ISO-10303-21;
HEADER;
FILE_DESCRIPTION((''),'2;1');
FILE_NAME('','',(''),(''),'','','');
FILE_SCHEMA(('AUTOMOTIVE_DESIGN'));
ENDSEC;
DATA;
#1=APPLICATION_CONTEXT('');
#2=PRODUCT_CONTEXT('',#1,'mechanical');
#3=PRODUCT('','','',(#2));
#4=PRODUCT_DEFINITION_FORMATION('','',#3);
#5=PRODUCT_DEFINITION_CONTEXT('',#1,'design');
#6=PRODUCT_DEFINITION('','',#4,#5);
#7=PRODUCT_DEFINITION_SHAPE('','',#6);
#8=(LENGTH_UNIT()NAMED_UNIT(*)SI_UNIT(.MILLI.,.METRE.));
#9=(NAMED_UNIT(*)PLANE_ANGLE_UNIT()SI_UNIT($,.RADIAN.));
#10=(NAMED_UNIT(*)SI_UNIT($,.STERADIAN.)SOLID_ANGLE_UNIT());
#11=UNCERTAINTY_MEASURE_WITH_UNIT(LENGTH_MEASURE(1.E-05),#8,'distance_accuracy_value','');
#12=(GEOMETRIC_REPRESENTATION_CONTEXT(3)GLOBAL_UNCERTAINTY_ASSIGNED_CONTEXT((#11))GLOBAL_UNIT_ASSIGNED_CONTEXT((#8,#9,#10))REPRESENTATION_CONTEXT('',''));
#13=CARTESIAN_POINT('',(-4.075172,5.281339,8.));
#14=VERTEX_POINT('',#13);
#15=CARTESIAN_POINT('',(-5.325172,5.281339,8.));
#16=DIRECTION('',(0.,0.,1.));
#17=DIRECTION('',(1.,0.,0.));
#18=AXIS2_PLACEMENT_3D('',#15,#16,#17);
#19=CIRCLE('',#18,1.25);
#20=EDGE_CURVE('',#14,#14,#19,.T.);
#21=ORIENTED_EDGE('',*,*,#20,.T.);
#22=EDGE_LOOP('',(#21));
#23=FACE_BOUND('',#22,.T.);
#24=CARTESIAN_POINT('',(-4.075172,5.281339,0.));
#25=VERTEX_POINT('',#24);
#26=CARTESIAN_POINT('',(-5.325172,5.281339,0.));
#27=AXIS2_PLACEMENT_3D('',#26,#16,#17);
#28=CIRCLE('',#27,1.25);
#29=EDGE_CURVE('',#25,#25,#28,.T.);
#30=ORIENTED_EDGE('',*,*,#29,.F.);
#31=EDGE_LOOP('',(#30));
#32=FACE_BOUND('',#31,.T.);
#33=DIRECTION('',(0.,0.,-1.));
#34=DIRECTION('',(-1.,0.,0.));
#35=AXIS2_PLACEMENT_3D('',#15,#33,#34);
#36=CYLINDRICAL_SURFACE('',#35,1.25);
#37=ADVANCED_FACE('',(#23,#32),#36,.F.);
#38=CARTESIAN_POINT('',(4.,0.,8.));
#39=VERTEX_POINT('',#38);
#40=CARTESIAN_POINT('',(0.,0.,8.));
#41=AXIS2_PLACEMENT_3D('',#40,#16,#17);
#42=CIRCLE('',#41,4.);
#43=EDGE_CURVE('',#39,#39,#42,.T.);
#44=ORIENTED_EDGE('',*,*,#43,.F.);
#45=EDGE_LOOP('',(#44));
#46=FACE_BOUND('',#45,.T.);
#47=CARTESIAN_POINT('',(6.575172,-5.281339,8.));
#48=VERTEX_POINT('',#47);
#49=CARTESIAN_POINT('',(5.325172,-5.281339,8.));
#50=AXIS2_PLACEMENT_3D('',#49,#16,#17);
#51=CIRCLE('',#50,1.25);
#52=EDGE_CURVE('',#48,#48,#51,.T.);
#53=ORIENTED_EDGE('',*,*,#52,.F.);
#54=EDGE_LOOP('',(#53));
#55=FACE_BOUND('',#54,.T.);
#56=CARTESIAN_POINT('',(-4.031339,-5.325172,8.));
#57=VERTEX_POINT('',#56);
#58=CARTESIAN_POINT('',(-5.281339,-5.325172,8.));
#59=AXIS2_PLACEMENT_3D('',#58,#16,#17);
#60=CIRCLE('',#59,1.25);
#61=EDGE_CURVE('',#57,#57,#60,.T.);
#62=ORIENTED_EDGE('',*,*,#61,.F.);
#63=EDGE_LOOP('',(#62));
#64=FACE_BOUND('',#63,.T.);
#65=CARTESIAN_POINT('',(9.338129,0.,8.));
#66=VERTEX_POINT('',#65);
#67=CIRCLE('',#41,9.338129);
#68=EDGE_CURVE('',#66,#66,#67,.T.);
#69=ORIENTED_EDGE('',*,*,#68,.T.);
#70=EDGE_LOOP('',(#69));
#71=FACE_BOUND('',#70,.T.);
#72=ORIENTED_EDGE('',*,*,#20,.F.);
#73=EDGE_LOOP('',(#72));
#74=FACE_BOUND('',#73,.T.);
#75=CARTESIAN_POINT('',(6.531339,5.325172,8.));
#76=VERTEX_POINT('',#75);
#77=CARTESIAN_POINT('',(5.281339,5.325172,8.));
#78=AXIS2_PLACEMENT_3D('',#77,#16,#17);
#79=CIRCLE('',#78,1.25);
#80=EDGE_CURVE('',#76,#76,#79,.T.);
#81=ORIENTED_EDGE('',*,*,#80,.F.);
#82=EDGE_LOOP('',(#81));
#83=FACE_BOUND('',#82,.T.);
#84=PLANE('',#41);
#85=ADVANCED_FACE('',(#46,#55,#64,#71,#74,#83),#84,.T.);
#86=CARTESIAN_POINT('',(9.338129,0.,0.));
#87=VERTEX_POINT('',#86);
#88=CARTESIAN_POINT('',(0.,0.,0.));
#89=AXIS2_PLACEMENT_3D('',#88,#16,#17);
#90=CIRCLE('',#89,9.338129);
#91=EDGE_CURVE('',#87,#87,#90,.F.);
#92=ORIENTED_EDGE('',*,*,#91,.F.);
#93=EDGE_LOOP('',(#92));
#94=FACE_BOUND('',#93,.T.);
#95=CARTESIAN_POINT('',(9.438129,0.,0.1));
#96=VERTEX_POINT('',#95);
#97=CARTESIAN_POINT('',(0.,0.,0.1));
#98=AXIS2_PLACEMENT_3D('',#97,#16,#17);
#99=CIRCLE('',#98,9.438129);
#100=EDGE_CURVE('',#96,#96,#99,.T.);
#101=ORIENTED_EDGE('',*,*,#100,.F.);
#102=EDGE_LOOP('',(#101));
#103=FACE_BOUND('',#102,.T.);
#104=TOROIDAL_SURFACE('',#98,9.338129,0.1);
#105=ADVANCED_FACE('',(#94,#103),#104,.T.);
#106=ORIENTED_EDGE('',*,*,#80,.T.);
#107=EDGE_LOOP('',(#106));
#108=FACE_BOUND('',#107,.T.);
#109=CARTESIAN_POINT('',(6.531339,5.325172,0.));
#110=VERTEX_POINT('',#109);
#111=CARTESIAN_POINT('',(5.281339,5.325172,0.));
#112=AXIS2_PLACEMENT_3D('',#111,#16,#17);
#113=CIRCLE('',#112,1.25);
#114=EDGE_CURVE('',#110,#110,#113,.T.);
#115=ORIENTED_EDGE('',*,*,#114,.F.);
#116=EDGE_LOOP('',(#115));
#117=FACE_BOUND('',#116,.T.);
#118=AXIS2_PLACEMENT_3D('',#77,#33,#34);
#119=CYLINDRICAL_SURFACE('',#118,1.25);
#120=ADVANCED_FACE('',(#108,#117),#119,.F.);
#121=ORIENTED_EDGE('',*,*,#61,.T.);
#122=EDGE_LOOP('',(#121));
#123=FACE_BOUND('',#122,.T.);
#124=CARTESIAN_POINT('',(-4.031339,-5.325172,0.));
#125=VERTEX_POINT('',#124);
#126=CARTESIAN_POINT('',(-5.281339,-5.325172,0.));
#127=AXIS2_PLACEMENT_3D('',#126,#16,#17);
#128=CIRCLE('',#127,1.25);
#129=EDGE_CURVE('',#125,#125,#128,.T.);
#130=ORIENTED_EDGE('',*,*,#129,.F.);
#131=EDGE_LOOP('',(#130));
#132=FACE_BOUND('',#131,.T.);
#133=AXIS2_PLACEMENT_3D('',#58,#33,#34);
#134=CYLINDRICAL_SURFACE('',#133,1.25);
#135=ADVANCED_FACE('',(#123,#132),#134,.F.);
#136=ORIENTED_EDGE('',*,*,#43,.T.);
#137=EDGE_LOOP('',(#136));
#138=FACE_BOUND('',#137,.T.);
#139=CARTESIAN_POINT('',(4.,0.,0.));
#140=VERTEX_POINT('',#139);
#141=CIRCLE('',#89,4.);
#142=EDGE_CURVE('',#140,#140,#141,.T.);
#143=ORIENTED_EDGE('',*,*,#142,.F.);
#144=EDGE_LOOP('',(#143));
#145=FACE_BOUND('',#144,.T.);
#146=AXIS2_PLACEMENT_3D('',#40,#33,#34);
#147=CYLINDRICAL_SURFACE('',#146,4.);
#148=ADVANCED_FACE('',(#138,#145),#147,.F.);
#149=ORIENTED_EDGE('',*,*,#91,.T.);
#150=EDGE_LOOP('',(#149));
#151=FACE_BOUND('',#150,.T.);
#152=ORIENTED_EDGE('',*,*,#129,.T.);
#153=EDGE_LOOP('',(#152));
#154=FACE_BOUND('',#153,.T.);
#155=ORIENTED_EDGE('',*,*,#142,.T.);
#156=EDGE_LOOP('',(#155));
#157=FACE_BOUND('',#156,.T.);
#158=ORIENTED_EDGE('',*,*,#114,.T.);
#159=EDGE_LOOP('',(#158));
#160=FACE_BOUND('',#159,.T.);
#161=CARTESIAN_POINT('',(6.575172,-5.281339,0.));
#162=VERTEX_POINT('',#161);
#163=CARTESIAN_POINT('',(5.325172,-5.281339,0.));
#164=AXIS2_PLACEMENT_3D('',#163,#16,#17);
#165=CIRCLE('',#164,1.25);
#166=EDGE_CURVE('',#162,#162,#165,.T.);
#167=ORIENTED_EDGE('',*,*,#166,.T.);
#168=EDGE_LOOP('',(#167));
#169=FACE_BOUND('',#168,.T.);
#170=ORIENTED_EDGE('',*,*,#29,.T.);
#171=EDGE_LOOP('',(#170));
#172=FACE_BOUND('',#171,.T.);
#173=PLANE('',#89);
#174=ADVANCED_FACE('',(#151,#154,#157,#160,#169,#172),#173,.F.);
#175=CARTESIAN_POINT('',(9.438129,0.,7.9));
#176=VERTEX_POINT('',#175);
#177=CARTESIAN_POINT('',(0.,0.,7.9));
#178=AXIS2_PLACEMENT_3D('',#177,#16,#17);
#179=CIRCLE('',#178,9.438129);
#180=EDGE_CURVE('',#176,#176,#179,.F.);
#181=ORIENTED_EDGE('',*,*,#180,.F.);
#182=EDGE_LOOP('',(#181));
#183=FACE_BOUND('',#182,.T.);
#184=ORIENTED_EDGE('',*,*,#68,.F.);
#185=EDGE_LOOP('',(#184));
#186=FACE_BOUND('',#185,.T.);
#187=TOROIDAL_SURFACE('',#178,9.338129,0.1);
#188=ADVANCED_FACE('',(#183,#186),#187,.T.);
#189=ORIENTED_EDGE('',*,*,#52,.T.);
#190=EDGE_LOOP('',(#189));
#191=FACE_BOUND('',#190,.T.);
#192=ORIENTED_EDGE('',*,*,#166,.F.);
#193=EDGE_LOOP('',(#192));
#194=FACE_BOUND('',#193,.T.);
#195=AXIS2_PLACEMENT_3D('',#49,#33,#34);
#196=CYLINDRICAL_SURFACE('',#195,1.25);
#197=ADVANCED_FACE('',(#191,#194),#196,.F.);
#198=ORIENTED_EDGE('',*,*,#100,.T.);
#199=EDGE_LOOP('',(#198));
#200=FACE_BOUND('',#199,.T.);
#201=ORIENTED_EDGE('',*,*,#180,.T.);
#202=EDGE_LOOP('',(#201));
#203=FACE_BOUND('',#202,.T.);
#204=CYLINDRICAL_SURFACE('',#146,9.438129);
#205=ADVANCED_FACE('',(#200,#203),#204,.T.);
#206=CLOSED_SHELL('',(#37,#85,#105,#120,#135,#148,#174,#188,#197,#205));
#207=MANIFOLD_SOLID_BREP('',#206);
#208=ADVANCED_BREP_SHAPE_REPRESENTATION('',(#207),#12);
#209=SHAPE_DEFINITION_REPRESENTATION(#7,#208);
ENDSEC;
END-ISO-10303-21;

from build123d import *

# Parameters (mm, degrees)
SKETCH_1_R      = 9.43812854
SKETCH_1_R_2    = 4
SKETCH_1_R_3    = 1.25
EXTRUDE_1_DEPTH = 8
FILLET_1_R      = 0.1


with BuildPart() as part:
    # Эскиз1 → Бобышка-Вытянуть1 (new body)
    with BuildSketch(Plane.XY):
        Circle(SKETCH_1_R)
        Circle(SKETCH_1_R_2, mode=Mode.SUBTRACT)
        with Locations((-5.325171984, 5.281339162)):
            Circle(SKETCH_1_R_3, mode=Mode.SUBTRACT)
        with Locations((-5.281339162, -5.325171984)):
            Circle(SKETCH_1_R_3, mode=Mode.SUBTRACT)
        with Locations((5.325171984, -5.281339162)):
            Circle(SKETCH_1_R_3, mode=Mode.SUBTRACT)
        with Locations((5.281339162, 5.325171984)):
            Circle(SKETCH_1_R_3, mode=Mode.SUBTRACT)
    extrude(amount=EXTRUDE_1_DEPTH)

    # Скругление1
    fillet_1_edges = [part.edges().sort_by_distance(p)[0] for p in [
        (-9.43812854, 0, 0),
        (-9.43812854, 0, 8),
    ]]
    fillet(fillet_1_edges, radius=FILLET_1_R)


solid = part.part
